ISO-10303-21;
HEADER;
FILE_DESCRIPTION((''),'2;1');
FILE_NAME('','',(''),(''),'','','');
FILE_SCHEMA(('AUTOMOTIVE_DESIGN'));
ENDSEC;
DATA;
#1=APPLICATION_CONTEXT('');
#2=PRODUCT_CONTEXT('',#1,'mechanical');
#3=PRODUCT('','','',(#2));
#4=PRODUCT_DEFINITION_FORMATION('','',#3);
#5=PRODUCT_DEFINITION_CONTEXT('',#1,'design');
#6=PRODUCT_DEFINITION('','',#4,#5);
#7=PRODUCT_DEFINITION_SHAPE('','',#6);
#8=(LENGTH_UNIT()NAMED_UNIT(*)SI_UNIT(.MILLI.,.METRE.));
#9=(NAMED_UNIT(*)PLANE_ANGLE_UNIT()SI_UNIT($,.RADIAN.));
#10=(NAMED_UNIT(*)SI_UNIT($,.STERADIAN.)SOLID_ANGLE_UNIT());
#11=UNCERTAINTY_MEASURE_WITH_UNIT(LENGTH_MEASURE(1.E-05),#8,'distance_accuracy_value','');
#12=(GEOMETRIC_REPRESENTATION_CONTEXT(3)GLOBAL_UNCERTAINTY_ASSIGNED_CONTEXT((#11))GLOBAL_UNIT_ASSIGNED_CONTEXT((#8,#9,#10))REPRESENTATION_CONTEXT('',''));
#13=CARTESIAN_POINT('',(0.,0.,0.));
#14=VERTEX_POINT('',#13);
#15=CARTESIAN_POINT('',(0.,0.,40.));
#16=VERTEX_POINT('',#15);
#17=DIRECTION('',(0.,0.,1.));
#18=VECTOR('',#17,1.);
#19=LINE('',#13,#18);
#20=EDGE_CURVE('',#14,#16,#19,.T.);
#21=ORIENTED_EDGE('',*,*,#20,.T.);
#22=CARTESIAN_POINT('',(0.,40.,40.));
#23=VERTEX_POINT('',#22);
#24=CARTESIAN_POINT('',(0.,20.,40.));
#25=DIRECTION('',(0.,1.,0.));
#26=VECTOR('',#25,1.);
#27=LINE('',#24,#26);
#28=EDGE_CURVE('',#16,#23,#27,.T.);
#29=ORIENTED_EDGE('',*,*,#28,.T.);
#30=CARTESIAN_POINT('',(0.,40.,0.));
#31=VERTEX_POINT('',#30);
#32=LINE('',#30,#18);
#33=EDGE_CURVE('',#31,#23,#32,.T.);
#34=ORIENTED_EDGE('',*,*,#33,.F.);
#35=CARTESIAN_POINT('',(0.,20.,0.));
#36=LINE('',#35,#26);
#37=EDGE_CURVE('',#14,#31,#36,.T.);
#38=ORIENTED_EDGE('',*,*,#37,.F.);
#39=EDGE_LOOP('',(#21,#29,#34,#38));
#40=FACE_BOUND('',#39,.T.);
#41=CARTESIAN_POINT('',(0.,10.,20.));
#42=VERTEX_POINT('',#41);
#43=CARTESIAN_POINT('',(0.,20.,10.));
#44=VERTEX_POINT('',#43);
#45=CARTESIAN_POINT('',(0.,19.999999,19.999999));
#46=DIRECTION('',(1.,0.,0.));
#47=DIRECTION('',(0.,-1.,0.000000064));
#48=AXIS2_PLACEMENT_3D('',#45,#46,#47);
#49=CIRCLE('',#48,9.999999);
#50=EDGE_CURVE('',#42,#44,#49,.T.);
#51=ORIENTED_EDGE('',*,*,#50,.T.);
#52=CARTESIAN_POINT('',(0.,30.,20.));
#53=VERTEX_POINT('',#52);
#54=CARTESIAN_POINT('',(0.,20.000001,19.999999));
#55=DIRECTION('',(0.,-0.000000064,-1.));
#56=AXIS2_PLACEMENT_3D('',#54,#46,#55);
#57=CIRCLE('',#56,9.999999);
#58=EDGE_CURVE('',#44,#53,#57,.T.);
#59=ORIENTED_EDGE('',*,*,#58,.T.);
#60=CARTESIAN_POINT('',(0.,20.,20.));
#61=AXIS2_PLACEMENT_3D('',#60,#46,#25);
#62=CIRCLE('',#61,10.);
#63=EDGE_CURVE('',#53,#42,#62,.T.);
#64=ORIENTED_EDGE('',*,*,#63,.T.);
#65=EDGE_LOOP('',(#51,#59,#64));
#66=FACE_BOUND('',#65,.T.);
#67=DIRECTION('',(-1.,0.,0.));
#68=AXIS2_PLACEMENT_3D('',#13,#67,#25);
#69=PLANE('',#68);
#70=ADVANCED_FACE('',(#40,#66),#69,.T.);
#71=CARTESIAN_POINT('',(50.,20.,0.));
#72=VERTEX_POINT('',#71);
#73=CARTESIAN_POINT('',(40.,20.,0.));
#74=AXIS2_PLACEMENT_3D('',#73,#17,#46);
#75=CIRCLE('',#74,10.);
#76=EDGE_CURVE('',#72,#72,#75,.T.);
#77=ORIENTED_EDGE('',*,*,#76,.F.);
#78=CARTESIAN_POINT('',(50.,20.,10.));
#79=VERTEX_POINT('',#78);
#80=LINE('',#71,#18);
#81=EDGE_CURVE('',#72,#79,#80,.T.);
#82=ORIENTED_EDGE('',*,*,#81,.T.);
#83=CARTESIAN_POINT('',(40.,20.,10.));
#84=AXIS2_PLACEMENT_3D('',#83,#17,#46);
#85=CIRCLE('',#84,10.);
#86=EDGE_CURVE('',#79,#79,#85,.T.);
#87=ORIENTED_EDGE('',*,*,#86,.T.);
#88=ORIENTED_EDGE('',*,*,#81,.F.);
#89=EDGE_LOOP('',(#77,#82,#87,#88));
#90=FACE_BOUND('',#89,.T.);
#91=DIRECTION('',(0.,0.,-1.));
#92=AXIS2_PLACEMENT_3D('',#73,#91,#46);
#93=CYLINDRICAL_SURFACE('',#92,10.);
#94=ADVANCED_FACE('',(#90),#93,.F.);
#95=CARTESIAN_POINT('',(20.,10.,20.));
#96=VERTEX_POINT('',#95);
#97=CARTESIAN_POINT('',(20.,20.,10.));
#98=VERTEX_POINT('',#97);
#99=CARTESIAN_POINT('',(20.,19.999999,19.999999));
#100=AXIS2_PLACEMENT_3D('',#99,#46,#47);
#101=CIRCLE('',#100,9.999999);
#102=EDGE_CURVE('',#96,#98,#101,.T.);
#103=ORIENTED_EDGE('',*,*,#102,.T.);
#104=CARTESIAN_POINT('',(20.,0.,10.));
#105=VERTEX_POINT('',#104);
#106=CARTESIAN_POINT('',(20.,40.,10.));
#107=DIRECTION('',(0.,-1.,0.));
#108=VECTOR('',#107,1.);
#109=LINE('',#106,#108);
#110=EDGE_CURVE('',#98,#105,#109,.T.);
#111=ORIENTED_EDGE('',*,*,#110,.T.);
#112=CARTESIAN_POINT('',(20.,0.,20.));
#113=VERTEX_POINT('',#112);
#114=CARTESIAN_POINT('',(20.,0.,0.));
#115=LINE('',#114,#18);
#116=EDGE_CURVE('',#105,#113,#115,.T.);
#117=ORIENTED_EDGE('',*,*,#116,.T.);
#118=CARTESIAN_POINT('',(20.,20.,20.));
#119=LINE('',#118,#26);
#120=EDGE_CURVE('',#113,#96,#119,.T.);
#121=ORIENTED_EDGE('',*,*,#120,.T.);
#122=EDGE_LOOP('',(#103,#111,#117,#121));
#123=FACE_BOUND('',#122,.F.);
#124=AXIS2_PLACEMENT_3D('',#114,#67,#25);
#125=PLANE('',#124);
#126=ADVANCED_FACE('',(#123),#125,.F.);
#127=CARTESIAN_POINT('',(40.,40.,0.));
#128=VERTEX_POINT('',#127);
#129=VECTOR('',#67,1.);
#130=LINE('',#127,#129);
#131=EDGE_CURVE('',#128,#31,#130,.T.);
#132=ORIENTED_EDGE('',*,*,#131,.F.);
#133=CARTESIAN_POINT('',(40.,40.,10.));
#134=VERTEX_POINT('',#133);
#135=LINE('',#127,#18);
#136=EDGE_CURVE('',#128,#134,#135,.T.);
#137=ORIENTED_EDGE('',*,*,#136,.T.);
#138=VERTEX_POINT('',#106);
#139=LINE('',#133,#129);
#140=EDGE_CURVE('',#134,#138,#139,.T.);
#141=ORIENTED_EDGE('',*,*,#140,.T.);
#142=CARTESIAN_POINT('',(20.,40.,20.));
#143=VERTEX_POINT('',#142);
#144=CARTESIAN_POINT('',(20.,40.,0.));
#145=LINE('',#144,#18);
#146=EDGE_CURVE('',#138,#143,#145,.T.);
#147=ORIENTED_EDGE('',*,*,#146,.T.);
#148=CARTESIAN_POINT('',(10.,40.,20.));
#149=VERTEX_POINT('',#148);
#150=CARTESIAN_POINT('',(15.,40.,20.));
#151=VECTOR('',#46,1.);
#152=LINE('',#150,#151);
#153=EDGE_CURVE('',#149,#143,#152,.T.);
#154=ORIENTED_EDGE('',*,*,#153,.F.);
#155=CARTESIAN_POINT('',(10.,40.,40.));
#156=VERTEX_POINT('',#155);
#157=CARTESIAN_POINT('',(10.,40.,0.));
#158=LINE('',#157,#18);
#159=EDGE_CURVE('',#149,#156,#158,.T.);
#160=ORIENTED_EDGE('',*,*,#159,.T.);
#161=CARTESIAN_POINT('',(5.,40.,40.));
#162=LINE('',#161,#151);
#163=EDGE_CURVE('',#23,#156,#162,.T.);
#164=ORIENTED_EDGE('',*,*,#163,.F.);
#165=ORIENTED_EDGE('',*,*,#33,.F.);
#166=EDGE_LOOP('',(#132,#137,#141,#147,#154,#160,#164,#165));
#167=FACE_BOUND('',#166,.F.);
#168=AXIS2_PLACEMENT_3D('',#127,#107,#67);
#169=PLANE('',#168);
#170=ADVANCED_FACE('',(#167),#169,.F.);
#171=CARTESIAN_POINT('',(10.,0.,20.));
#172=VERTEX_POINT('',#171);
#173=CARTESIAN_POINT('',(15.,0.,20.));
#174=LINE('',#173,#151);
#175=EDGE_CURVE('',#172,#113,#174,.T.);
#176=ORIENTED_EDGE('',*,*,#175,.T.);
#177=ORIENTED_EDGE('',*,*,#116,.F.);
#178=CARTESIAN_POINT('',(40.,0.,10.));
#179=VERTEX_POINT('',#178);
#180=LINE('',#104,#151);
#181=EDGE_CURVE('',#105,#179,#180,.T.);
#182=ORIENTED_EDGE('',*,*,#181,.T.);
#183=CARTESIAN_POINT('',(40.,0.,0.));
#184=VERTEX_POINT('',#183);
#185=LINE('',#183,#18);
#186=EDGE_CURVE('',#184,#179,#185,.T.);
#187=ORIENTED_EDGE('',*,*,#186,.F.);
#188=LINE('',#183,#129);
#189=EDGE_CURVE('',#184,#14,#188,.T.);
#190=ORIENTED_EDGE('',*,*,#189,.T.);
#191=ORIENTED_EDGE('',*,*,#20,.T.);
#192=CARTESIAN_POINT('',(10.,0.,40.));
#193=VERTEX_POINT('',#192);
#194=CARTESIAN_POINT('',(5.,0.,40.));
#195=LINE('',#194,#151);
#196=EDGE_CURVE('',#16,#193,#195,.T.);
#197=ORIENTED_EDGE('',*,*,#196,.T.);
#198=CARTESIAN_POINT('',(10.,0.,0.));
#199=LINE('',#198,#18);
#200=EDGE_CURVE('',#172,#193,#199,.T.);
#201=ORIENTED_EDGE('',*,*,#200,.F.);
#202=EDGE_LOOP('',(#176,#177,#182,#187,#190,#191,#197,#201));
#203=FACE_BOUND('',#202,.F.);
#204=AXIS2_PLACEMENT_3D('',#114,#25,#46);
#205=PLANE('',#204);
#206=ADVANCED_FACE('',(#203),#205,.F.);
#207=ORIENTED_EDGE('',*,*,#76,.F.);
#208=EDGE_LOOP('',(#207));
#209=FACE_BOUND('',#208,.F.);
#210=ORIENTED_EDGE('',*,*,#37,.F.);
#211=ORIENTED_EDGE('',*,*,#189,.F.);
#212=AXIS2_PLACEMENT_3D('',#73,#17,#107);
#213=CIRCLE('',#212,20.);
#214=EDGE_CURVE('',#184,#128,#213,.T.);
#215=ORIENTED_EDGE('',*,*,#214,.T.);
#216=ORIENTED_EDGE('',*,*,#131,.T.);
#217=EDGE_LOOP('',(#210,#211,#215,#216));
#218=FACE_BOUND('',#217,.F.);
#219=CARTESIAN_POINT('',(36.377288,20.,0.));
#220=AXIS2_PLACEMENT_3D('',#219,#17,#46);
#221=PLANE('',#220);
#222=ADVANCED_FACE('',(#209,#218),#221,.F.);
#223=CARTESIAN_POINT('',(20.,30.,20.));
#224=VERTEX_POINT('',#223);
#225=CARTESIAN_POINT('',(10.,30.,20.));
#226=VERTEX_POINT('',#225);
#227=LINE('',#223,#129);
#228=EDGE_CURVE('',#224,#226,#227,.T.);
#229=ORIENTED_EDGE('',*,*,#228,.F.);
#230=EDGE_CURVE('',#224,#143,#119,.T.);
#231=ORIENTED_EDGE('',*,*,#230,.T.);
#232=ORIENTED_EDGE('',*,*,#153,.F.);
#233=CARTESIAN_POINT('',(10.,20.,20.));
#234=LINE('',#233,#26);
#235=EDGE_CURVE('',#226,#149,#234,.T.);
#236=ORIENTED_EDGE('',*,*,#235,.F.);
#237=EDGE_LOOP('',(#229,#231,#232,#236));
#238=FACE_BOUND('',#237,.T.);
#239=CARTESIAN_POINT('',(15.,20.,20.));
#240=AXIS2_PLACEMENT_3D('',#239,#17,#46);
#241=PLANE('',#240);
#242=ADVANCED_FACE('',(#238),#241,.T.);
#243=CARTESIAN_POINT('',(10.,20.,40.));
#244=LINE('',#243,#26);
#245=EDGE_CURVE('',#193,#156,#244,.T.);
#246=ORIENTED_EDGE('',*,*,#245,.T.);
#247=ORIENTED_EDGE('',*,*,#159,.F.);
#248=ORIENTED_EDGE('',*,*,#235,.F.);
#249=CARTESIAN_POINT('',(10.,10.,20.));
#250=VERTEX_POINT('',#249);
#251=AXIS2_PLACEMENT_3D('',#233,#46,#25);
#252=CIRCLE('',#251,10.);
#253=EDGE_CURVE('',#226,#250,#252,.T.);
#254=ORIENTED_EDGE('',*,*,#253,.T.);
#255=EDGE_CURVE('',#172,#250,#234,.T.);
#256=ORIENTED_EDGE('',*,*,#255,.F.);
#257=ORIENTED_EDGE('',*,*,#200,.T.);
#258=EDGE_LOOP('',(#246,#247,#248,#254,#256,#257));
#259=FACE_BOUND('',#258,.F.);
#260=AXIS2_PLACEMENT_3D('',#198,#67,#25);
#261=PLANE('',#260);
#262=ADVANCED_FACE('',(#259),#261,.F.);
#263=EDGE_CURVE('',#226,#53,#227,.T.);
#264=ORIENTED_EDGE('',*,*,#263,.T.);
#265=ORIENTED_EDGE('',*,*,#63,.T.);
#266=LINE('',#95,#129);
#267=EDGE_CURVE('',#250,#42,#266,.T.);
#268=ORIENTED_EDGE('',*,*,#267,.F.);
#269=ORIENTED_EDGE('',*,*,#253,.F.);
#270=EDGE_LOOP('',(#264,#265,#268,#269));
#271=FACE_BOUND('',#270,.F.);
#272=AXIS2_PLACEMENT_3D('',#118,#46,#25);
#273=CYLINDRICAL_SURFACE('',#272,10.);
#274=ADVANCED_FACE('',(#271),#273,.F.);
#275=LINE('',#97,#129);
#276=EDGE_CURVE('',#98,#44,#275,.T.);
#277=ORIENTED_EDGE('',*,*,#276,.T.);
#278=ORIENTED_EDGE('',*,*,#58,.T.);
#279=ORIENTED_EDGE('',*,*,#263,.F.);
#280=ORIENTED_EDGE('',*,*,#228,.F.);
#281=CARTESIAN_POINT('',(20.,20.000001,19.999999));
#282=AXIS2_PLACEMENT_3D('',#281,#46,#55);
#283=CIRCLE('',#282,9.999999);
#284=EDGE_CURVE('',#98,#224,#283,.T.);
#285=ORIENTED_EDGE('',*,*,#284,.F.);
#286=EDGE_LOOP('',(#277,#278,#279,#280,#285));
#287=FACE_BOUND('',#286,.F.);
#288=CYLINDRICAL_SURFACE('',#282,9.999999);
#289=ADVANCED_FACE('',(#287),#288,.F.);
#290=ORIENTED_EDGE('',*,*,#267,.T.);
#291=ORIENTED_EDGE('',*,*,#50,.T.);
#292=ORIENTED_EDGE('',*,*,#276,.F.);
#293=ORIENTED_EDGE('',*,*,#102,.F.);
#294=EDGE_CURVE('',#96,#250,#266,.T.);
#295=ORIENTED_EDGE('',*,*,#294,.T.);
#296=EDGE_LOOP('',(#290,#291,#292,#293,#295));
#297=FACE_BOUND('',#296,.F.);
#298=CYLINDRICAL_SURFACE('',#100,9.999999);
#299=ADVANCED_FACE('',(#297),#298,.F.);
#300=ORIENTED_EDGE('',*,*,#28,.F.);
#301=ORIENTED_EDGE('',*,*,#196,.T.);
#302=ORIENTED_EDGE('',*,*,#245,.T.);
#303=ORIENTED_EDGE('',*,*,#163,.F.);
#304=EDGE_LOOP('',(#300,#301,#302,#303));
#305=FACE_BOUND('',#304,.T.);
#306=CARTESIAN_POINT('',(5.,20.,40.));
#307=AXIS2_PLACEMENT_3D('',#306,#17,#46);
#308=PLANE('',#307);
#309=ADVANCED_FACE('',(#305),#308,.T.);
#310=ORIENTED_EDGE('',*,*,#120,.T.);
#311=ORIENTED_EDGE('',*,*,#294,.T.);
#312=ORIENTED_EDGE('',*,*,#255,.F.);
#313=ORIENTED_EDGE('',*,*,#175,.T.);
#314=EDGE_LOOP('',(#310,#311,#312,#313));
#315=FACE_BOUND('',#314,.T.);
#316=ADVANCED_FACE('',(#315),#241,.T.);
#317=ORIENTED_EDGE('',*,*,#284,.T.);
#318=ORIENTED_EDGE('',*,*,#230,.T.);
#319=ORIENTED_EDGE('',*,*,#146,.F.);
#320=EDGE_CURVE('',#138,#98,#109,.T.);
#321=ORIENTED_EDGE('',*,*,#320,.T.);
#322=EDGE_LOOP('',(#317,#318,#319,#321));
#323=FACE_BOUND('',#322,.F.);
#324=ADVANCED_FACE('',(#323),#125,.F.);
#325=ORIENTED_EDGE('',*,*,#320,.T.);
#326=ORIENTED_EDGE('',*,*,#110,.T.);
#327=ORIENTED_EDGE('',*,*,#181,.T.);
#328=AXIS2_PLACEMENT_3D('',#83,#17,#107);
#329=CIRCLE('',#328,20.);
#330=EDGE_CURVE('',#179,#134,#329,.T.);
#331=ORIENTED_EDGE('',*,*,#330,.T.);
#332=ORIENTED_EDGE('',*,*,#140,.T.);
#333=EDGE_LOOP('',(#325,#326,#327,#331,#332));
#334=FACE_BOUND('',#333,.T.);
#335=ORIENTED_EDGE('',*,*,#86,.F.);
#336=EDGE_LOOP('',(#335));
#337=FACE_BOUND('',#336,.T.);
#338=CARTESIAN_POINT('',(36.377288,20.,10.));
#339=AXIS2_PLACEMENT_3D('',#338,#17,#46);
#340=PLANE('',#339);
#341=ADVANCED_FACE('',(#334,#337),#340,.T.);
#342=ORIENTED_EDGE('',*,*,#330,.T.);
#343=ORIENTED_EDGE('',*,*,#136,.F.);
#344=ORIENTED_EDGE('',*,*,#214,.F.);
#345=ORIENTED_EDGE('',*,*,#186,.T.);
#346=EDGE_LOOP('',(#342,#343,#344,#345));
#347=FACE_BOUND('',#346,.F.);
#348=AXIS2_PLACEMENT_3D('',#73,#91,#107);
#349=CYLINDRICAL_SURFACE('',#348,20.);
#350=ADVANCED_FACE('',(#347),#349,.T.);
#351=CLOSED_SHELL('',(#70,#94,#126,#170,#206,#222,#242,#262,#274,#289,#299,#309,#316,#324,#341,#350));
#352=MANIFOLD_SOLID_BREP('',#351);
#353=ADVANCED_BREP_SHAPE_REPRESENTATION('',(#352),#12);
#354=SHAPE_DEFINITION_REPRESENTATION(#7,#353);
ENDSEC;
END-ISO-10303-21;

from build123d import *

# Parameters (mm, degrees)
F0_W     = 10
F0_H     = 40
F1_DEPTH = 40
F2_DEPTH = 20
F0_R     = 10
F3_DEPTH = 10
F5_DEPTH = 20.001


with BuildPart() as f1:
    # F0 (on Top) → F1 (new body)
    with BuildSketch(Plane.XY):
        with Locations((5, 20)):
            Rectangle(F0_W, F0_H)
    extrude(amount=F1_DEPTH)

    # F0 (on Top) → F2 (join)
    with BuildSketch(Plane.XY):
        with Locations((15, 20)):
            Rectangle(F0_W, F0_H)
    extrude(amount=F2_DEPTH)

    # F0 (on Top) → F3 (join)
    with BuildSketch(Plane.XY):
        with BuildLine():
            Line((20, 40), (20, 0))
            Line((20, 0), (40, 0))
            ThreePointArc((40, 0), (60, 20), (40, 40))
            Line((40, 40), (20, 40))
        make_face()
        with Locations((40, 20)):
            Circle(F0_R, mode=Mode.SUBTRACT)
    extrude(amount=F3_DEPTH)

    # F4 (on face) → F5 (cut, through all)
    with BuildSketch(Plane.YZ.offset(20)):
        with BuildLine():
            ThreePointArc((20, 10), (27.071068, 12.928932), (30, 20))
            Line((30, 20), (10, 20))
            ThreePointArc((10, 20), (12.928932, 12.928932), (20, 10))
        make_face()
        with BuildLine():
            Line((10, 20), (30, 20))
            ThreePointArc((30, 20), (20, 30), (10, 20))
        make_face()
    extrude(amount=-F5_DEPTH, mode=Mode.SUBTRACT)


solid = f1.part
